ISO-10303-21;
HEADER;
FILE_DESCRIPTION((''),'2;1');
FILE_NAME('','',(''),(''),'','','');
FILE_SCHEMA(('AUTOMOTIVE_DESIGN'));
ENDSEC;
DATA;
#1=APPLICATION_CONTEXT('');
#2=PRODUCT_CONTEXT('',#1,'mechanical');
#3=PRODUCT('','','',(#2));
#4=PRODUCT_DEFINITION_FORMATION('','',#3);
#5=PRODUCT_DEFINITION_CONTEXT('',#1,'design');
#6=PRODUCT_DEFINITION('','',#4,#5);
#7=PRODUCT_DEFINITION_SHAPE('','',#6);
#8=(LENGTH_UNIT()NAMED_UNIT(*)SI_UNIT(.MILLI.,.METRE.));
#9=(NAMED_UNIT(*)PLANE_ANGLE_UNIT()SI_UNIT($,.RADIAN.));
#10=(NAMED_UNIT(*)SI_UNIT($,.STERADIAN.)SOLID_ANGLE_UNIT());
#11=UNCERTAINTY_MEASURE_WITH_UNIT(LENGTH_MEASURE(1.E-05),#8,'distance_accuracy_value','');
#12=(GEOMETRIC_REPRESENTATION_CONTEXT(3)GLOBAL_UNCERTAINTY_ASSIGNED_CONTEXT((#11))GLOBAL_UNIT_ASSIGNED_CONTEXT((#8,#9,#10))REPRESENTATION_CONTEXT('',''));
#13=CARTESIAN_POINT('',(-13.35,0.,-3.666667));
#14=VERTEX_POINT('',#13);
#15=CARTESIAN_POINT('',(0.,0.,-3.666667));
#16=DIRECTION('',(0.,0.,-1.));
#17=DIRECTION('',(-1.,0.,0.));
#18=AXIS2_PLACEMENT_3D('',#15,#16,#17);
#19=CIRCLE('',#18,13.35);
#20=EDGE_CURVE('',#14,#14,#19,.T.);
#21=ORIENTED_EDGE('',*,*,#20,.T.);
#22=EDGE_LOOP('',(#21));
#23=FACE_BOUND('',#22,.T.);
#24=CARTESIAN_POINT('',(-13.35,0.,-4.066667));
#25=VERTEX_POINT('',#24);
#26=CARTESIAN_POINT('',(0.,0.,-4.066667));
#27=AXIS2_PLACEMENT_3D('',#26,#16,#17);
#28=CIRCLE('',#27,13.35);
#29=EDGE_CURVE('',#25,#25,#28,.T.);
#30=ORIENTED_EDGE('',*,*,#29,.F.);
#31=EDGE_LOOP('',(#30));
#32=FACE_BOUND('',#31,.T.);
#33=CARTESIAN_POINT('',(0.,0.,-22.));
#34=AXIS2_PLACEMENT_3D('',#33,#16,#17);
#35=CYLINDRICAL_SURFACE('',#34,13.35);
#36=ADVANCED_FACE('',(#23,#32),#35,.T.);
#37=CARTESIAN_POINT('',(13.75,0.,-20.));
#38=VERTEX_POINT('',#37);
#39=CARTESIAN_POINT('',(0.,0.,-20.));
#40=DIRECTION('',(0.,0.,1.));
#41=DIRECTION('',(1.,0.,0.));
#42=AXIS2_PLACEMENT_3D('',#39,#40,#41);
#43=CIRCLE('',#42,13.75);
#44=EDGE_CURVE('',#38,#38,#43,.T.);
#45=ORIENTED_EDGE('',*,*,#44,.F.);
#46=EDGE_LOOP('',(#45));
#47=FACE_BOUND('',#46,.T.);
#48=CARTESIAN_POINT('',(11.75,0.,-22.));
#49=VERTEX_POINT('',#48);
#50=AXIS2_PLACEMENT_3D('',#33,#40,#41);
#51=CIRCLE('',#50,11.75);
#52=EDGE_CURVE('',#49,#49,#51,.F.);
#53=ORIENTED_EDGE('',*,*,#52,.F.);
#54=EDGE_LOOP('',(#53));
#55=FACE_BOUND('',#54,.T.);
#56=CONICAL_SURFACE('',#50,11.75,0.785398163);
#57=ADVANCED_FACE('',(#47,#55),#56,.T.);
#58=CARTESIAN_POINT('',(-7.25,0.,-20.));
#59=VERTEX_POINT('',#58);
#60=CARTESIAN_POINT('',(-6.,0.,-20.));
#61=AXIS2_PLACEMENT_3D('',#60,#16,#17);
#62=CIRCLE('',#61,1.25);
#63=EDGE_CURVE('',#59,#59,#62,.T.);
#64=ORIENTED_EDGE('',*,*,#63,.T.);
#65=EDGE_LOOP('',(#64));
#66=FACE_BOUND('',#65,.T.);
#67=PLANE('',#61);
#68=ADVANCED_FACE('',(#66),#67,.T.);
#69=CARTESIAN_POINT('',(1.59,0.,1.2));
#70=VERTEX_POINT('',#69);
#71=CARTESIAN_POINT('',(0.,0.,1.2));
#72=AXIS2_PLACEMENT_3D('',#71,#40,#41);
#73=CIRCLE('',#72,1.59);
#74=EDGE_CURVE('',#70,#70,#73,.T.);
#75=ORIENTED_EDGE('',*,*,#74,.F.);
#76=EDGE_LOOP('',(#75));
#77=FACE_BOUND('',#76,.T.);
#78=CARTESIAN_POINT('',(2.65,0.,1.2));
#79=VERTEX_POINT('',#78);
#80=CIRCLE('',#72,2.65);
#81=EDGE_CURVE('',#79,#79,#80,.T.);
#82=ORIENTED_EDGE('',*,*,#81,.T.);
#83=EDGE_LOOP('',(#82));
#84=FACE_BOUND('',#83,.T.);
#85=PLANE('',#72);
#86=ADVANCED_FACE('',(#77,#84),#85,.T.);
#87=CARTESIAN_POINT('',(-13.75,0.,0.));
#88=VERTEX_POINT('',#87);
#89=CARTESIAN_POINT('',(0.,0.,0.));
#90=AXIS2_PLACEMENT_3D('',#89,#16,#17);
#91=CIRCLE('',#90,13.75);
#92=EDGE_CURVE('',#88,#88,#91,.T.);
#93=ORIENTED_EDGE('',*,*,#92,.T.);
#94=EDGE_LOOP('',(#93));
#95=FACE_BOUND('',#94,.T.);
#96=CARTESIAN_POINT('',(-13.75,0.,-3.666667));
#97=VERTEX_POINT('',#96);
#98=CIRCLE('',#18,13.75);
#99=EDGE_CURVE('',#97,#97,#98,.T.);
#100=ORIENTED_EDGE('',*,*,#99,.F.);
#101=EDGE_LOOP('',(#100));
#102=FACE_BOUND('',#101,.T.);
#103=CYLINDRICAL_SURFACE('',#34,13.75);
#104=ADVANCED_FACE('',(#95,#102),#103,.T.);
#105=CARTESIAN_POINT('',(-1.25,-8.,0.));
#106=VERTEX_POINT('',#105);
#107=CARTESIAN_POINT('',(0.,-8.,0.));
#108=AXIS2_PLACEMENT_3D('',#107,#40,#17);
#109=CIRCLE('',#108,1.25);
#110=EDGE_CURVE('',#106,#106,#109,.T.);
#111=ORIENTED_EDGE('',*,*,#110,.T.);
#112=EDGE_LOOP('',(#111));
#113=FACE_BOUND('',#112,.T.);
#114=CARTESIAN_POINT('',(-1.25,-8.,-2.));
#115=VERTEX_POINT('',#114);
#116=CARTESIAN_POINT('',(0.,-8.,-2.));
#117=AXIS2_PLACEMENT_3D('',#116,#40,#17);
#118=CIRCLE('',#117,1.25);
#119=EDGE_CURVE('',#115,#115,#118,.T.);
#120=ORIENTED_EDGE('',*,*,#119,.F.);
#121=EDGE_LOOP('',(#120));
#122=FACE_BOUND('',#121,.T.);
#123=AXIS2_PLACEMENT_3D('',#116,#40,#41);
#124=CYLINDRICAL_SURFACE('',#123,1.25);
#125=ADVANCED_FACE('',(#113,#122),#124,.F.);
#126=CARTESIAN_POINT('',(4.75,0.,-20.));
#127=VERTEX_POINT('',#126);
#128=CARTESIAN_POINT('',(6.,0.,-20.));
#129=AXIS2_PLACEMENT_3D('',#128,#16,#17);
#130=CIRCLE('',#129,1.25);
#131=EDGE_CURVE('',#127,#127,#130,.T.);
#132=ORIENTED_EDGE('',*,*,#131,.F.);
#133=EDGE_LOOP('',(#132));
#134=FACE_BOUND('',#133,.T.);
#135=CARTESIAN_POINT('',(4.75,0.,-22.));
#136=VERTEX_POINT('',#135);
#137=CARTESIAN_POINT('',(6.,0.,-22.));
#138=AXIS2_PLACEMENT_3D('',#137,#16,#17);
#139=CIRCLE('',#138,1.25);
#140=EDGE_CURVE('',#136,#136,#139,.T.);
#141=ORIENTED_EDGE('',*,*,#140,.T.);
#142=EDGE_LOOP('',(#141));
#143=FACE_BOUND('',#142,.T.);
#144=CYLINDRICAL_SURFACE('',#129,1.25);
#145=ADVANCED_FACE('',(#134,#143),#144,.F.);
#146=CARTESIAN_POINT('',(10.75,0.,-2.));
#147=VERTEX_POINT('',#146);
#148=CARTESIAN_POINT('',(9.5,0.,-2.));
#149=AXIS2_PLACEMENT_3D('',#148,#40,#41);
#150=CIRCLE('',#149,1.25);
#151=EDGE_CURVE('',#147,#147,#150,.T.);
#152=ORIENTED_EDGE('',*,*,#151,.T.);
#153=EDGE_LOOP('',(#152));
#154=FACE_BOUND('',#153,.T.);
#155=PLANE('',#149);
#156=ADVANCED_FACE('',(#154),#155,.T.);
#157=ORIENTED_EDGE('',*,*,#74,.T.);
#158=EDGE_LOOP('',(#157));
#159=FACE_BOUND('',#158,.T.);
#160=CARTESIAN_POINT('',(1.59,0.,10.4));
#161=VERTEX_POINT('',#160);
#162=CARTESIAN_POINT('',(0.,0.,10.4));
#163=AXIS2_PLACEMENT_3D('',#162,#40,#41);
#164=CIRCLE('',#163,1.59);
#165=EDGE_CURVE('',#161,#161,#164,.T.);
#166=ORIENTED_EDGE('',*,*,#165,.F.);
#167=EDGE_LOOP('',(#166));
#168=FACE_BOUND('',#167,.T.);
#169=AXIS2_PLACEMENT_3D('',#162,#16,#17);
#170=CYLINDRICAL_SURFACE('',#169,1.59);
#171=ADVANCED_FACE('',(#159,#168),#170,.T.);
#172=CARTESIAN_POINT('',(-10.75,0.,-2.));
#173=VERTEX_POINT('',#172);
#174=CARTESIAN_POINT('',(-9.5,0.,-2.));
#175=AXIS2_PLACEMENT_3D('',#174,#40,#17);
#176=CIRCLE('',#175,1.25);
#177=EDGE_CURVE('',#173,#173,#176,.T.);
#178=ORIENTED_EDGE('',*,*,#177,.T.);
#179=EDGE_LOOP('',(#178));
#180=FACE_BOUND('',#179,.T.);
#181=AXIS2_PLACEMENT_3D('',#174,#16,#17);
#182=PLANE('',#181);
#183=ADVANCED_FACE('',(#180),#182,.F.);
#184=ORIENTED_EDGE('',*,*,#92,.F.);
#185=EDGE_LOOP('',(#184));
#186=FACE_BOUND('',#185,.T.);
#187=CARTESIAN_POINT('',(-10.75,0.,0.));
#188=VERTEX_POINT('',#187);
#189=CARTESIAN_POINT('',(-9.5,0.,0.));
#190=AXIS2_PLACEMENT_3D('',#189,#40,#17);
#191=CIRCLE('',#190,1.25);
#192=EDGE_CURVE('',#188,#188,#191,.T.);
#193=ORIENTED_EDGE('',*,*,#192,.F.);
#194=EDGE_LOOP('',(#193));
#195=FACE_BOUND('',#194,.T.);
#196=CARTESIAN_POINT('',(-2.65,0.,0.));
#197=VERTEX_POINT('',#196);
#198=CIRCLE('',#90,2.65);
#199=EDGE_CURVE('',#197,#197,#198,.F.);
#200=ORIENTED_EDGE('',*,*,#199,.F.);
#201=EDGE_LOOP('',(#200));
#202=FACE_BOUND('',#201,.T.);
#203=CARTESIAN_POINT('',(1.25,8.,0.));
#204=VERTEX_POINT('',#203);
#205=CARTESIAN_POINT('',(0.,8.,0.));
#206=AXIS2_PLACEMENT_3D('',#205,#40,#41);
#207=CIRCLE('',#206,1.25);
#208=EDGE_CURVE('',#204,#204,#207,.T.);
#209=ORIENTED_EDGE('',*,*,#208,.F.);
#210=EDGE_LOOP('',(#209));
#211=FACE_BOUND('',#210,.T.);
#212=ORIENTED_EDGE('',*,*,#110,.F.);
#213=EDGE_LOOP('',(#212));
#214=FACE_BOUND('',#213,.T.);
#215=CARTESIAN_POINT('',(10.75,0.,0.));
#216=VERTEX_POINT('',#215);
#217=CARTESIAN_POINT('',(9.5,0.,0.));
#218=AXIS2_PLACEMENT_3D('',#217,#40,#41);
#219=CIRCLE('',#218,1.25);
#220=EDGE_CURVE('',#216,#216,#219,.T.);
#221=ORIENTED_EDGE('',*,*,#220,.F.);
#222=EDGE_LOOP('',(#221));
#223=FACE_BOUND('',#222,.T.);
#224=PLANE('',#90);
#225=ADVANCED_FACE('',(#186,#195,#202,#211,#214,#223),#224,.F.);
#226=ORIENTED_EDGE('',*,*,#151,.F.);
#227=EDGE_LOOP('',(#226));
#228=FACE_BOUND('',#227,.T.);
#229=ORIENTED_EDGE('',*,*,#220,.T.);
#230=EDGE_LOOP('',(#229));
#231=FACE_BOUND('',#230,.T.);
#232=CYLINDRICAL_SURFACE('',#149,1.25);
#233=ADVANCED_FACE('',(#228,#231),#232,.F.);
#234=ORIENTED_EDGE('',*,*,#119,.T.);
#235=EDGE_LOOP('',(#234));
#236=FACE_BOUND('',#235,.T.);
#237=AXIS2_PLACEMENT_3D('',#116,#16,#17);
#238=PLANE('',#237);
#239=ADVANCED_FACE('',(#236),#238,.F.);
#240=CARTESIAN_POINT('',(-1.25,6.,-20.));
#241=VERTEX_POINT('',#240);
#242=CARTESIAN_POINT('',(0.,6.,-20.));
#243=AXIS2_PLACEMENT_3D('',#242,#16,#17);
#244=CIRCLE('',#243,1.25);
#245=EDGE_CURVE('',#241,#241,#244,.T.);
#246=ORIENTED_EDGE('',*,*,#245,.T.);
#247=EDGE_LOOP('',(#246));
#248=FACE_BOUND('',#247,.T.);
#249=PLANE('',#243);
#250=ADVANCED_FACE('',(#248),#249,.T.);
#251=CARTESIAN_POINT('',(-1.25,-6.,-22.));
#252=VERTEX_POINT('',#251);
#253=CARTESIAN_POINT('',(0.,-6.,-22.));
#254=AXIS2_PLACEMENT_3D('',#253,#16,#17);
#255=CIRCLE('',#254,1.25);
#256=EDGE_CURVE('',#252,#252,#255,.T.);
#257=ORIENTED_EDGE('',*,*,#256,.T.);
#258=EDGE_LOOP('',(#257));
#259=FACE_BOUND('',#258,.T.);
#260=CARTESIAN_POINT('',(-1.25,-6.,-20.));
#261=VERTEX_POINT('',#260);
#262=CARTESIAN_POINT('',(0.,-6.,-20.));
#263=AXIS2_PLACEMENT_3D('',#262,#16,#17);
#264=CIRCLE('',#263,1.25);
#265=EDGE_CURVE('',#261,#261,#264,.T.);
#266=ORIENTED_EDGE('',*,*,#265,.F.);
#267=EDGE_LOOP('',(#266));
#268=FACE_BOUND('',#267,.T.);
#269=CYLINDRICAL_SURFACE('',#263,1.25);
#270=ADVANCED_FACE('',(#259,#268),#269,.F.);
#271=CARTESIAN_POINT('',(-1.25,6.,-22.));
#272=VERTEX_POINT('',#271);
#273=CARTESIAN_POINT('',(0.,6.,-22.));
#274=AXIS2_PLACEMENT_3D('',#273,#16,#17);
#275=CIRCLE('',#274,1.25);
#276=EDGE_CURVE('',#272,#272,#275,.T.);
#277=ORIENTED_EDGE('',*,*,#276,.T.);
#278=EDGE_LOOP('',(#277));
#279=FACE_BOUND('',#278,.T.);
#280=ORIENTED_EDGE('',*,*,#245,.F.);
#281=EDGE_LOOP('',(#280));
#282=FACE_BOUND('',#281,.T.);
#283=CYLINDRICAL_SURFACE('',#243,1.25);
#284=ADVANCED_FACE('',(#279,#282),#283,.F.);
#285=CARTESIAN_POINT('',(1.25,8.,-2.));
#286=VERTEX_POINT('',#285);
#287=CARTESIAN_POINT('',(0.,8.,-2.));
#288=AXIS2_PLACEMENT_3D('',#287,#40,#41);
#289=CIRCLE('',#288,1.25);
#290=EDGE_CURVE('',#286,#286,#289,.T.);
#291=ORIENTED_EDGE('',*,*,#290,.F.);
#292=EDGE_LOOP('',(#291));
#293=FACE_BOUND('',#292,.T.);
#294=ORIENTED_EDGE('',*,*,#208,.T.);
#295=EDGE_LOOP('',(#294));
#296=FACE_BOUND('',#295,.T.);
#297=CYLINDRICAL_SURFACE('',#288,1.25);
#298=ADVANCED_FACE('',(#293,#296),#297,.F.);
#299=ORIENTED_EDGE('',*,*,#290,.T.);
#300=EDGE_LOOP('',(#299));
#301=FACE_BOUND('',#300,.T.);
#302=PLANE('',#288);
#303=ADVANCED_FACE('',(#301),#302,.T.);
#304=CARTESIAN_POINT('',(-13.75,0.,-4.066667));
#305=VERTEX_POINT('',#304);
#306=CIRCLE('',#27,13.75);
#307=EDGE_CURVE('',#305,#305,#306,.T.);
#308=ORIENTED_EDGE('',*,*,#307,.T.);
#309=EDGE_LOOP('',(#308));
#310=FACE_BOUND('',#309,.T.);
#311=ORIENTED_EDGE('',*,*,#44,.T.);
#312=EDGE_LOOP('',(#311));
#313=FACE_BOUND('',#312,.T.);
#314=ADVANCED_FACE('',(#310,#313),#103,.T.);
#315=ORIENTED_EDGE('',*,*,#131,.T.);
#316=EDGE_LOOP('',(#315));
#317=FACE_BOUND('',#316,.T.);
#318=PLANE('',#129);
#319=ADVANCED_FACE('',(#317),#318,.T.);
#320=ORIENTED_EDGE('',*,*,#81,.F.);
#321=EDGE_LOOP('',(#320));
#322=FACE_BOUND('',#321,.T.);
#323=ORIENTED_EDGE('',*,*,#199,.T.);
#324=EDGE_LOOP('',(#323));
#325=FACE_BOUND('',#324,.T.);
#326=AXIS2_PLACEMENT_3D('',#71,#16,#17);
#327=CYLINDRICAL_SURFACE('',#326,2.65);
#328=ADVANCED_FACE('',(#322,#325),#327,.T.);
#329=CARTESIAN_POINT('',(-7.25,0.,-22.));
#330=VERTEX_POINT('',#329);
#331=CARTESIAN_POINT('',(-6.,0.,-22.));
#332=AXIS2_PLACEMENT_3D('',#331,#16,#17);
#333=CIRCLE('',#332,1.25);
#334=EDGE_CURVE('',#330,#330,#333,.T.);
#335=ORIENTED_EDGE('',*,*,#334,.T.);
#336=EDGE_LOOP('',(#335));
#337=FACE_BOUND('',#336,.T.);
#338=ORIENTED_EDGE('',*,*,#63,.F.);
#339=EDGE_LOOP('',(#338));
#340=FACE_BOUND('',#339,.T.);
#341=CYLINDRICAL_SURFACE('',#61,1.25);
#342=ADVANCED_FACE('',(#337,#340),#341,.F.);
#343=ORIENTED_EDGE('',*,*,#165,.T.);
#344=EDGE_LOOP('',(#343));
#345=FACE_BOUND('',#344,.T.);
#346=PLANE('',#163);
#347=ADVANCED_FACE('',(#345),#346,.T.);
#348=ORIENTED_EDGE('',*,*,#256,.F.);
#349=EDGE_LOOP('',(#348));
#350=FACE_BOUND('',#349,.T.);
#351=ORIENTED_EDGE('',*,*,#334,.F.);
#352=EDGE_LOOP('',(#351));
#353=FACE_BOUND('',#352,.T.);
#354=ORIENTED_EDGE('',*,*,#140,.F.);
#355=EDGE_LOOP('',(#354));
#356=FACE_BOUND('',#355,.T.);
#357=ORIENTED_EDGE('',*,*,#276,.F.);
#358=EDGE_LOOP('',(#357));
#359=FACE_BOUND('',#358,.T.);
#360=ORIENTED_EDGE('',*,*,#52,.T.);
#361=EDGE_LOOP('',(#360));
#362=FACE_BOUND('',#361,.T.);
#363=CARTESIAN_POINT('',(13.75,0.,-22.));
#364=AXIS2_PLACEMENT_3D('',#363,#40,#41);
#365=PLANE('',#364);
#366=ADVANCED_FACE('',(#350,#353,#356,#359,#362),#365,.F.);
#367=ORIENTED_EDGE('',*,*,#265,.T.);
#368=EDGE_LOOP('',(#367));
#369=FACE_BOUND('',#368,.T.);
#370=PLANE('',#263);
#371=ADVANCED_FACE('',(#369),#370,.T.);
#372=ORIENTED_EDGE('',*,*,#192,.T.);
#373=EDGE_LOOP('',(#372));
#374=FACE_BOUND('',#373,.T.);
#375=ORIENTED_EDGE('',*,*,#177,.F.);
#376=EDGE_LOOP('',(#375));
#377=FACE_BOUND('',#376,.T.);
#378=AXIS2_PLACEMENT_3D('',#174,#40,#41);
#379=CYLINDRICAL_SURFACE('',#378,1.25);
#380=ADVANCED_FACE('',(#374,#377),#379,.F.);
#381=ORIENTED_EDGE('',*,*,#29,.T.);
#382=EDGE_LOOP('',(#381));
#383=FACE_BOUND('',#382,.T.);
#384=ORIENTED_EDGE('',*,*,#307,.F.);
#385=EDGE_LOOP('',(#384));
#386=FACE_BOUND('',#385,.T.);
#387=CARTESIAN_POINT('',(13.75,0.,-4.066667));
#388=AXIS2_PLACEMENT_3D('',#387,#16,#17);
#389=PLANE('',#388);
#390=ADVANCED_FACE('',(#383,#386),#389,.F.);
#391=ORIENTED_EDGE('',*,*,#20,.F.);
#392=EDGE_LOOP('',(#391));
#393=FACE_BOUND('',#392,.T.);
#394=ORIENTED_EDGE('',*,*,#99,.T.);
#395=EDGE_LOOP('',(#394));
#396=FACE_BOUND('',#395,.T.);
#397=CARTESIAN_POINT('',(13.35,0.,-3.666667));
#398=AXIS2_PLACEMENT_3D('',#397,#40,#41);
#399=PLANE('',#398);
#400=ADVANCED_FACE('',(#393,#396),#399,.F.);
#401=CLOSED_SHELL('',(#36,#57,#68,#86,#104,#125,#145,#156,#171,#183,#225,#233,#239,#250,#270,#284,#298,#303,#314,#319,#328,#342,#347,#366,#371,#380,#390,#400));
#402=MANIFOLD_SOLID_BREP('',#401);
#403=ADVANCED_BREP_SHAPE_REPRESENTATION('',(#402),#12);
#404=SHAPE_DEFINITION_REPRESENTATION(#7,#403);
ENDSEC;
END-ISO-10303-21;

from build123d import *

# Parameters (mm, degrees)
SKETCH2_R           = 1.25
CUT_EXTRUDE1_DEPTH  = 2
SKETCH3_R           = 1.25
CUT_EXTRUDE2_DEPTH  = 2
SKETCH4_R           = 2.65
BOSS_EXTRUDE1_DEPTH = 1.2
SKETCH5_R           = 1.59
BOSS_EXTRUDE2_DEPTH = 9.2
CHAMFER1_SIZE       = 2


with BuildPart() as part:
    # Sketch1 → Revolve1 (revolve)
    with BuildSketch(Plane(origin=(0, 0, 0), x_dir=(1, 0, 0), z_dir=(0, 1, 0)), mode=Mode.PRIVATE) as revolve1_sk:
        Polygon((13.75, 0), (13.75, 3.666666667), (13.35, 3.666666667), (13.35, 4.066666667), (13.75, 4.066666667), (13.75, 22), (0, 22), (0, 0), align=None)
    revolve(revolve1_sk.sketch.rotate(Axis((0, 0, -22), (0, 0, 1)), 180), axis=Axis((0, 0, -22), (0, 0, 1)))

    # Sketch2 → Cut-Extrude1 (cut)
    with BuildSketch(Plane.XY):
        with Locations((9.5, 0)):
            Circle(SKETCH2_R)
        with Locations((0, 8)):
            Circle(SKETCH2_R)
        with Locations(Location((0, -8, 0), (0, 0, 180))):
            Circle(SKETCH2_R)
        with Locations(Location((-9.5, 0, 0), (0, 0, 180))):
            Circle(SKETCH2_R)
    extrude(amount=-CUT_EXTRUDE1_DEPTH, mode=Mode.SUBTRACT)

    # Sketch3 → Cut-Extrude2 (cut)
    with BuildSketch(Plane(origin=(0, 0, -22), x_dir=(-1, 0, 0), z_dir=(0, 0, -1))):
        with Locations((6, 0)):
            Circle(SKETCH3_R)
        with Locations((0, -6)):
            Circle(SKETCH3_R)
        with Locations((-6, 0)):
            Circle(SKETCH3_R)
        with Locations((0, 6)):
            Circle(SKETCH3_R)
    extrude(amount=-CUT_EXTRUDE2_DEPTH, mode=Mode.SUBTRACT)

    # Sketch4 → Boss-Extrude1 (add)
    with BuildSketch(Plane.XY):
        with Locations(Location((0, 0, 0), (0, 0, 180))):
            Circle(SKETCH4_R)
    extrude(amount=BOSS_EXTRUDE1_DEPTH)

    # Sketch5 → Boss-Extrude2 (add)
    with BuildSketch(Plane.XY.offset(1.2)):
        Circle(SKETCH5_R)
    extrude(amount=BOSS_EXTRUDE2_DEPTH)

    # Chamfer1
    chamfer1_edges = [part.edges().sort_by_distance(p)[0] for p in [
        (13.75, 0, -22),
    ]]
    chamfer(chamfer1_edges, length=CHAMFER1_SIZE)


solid = part.part
